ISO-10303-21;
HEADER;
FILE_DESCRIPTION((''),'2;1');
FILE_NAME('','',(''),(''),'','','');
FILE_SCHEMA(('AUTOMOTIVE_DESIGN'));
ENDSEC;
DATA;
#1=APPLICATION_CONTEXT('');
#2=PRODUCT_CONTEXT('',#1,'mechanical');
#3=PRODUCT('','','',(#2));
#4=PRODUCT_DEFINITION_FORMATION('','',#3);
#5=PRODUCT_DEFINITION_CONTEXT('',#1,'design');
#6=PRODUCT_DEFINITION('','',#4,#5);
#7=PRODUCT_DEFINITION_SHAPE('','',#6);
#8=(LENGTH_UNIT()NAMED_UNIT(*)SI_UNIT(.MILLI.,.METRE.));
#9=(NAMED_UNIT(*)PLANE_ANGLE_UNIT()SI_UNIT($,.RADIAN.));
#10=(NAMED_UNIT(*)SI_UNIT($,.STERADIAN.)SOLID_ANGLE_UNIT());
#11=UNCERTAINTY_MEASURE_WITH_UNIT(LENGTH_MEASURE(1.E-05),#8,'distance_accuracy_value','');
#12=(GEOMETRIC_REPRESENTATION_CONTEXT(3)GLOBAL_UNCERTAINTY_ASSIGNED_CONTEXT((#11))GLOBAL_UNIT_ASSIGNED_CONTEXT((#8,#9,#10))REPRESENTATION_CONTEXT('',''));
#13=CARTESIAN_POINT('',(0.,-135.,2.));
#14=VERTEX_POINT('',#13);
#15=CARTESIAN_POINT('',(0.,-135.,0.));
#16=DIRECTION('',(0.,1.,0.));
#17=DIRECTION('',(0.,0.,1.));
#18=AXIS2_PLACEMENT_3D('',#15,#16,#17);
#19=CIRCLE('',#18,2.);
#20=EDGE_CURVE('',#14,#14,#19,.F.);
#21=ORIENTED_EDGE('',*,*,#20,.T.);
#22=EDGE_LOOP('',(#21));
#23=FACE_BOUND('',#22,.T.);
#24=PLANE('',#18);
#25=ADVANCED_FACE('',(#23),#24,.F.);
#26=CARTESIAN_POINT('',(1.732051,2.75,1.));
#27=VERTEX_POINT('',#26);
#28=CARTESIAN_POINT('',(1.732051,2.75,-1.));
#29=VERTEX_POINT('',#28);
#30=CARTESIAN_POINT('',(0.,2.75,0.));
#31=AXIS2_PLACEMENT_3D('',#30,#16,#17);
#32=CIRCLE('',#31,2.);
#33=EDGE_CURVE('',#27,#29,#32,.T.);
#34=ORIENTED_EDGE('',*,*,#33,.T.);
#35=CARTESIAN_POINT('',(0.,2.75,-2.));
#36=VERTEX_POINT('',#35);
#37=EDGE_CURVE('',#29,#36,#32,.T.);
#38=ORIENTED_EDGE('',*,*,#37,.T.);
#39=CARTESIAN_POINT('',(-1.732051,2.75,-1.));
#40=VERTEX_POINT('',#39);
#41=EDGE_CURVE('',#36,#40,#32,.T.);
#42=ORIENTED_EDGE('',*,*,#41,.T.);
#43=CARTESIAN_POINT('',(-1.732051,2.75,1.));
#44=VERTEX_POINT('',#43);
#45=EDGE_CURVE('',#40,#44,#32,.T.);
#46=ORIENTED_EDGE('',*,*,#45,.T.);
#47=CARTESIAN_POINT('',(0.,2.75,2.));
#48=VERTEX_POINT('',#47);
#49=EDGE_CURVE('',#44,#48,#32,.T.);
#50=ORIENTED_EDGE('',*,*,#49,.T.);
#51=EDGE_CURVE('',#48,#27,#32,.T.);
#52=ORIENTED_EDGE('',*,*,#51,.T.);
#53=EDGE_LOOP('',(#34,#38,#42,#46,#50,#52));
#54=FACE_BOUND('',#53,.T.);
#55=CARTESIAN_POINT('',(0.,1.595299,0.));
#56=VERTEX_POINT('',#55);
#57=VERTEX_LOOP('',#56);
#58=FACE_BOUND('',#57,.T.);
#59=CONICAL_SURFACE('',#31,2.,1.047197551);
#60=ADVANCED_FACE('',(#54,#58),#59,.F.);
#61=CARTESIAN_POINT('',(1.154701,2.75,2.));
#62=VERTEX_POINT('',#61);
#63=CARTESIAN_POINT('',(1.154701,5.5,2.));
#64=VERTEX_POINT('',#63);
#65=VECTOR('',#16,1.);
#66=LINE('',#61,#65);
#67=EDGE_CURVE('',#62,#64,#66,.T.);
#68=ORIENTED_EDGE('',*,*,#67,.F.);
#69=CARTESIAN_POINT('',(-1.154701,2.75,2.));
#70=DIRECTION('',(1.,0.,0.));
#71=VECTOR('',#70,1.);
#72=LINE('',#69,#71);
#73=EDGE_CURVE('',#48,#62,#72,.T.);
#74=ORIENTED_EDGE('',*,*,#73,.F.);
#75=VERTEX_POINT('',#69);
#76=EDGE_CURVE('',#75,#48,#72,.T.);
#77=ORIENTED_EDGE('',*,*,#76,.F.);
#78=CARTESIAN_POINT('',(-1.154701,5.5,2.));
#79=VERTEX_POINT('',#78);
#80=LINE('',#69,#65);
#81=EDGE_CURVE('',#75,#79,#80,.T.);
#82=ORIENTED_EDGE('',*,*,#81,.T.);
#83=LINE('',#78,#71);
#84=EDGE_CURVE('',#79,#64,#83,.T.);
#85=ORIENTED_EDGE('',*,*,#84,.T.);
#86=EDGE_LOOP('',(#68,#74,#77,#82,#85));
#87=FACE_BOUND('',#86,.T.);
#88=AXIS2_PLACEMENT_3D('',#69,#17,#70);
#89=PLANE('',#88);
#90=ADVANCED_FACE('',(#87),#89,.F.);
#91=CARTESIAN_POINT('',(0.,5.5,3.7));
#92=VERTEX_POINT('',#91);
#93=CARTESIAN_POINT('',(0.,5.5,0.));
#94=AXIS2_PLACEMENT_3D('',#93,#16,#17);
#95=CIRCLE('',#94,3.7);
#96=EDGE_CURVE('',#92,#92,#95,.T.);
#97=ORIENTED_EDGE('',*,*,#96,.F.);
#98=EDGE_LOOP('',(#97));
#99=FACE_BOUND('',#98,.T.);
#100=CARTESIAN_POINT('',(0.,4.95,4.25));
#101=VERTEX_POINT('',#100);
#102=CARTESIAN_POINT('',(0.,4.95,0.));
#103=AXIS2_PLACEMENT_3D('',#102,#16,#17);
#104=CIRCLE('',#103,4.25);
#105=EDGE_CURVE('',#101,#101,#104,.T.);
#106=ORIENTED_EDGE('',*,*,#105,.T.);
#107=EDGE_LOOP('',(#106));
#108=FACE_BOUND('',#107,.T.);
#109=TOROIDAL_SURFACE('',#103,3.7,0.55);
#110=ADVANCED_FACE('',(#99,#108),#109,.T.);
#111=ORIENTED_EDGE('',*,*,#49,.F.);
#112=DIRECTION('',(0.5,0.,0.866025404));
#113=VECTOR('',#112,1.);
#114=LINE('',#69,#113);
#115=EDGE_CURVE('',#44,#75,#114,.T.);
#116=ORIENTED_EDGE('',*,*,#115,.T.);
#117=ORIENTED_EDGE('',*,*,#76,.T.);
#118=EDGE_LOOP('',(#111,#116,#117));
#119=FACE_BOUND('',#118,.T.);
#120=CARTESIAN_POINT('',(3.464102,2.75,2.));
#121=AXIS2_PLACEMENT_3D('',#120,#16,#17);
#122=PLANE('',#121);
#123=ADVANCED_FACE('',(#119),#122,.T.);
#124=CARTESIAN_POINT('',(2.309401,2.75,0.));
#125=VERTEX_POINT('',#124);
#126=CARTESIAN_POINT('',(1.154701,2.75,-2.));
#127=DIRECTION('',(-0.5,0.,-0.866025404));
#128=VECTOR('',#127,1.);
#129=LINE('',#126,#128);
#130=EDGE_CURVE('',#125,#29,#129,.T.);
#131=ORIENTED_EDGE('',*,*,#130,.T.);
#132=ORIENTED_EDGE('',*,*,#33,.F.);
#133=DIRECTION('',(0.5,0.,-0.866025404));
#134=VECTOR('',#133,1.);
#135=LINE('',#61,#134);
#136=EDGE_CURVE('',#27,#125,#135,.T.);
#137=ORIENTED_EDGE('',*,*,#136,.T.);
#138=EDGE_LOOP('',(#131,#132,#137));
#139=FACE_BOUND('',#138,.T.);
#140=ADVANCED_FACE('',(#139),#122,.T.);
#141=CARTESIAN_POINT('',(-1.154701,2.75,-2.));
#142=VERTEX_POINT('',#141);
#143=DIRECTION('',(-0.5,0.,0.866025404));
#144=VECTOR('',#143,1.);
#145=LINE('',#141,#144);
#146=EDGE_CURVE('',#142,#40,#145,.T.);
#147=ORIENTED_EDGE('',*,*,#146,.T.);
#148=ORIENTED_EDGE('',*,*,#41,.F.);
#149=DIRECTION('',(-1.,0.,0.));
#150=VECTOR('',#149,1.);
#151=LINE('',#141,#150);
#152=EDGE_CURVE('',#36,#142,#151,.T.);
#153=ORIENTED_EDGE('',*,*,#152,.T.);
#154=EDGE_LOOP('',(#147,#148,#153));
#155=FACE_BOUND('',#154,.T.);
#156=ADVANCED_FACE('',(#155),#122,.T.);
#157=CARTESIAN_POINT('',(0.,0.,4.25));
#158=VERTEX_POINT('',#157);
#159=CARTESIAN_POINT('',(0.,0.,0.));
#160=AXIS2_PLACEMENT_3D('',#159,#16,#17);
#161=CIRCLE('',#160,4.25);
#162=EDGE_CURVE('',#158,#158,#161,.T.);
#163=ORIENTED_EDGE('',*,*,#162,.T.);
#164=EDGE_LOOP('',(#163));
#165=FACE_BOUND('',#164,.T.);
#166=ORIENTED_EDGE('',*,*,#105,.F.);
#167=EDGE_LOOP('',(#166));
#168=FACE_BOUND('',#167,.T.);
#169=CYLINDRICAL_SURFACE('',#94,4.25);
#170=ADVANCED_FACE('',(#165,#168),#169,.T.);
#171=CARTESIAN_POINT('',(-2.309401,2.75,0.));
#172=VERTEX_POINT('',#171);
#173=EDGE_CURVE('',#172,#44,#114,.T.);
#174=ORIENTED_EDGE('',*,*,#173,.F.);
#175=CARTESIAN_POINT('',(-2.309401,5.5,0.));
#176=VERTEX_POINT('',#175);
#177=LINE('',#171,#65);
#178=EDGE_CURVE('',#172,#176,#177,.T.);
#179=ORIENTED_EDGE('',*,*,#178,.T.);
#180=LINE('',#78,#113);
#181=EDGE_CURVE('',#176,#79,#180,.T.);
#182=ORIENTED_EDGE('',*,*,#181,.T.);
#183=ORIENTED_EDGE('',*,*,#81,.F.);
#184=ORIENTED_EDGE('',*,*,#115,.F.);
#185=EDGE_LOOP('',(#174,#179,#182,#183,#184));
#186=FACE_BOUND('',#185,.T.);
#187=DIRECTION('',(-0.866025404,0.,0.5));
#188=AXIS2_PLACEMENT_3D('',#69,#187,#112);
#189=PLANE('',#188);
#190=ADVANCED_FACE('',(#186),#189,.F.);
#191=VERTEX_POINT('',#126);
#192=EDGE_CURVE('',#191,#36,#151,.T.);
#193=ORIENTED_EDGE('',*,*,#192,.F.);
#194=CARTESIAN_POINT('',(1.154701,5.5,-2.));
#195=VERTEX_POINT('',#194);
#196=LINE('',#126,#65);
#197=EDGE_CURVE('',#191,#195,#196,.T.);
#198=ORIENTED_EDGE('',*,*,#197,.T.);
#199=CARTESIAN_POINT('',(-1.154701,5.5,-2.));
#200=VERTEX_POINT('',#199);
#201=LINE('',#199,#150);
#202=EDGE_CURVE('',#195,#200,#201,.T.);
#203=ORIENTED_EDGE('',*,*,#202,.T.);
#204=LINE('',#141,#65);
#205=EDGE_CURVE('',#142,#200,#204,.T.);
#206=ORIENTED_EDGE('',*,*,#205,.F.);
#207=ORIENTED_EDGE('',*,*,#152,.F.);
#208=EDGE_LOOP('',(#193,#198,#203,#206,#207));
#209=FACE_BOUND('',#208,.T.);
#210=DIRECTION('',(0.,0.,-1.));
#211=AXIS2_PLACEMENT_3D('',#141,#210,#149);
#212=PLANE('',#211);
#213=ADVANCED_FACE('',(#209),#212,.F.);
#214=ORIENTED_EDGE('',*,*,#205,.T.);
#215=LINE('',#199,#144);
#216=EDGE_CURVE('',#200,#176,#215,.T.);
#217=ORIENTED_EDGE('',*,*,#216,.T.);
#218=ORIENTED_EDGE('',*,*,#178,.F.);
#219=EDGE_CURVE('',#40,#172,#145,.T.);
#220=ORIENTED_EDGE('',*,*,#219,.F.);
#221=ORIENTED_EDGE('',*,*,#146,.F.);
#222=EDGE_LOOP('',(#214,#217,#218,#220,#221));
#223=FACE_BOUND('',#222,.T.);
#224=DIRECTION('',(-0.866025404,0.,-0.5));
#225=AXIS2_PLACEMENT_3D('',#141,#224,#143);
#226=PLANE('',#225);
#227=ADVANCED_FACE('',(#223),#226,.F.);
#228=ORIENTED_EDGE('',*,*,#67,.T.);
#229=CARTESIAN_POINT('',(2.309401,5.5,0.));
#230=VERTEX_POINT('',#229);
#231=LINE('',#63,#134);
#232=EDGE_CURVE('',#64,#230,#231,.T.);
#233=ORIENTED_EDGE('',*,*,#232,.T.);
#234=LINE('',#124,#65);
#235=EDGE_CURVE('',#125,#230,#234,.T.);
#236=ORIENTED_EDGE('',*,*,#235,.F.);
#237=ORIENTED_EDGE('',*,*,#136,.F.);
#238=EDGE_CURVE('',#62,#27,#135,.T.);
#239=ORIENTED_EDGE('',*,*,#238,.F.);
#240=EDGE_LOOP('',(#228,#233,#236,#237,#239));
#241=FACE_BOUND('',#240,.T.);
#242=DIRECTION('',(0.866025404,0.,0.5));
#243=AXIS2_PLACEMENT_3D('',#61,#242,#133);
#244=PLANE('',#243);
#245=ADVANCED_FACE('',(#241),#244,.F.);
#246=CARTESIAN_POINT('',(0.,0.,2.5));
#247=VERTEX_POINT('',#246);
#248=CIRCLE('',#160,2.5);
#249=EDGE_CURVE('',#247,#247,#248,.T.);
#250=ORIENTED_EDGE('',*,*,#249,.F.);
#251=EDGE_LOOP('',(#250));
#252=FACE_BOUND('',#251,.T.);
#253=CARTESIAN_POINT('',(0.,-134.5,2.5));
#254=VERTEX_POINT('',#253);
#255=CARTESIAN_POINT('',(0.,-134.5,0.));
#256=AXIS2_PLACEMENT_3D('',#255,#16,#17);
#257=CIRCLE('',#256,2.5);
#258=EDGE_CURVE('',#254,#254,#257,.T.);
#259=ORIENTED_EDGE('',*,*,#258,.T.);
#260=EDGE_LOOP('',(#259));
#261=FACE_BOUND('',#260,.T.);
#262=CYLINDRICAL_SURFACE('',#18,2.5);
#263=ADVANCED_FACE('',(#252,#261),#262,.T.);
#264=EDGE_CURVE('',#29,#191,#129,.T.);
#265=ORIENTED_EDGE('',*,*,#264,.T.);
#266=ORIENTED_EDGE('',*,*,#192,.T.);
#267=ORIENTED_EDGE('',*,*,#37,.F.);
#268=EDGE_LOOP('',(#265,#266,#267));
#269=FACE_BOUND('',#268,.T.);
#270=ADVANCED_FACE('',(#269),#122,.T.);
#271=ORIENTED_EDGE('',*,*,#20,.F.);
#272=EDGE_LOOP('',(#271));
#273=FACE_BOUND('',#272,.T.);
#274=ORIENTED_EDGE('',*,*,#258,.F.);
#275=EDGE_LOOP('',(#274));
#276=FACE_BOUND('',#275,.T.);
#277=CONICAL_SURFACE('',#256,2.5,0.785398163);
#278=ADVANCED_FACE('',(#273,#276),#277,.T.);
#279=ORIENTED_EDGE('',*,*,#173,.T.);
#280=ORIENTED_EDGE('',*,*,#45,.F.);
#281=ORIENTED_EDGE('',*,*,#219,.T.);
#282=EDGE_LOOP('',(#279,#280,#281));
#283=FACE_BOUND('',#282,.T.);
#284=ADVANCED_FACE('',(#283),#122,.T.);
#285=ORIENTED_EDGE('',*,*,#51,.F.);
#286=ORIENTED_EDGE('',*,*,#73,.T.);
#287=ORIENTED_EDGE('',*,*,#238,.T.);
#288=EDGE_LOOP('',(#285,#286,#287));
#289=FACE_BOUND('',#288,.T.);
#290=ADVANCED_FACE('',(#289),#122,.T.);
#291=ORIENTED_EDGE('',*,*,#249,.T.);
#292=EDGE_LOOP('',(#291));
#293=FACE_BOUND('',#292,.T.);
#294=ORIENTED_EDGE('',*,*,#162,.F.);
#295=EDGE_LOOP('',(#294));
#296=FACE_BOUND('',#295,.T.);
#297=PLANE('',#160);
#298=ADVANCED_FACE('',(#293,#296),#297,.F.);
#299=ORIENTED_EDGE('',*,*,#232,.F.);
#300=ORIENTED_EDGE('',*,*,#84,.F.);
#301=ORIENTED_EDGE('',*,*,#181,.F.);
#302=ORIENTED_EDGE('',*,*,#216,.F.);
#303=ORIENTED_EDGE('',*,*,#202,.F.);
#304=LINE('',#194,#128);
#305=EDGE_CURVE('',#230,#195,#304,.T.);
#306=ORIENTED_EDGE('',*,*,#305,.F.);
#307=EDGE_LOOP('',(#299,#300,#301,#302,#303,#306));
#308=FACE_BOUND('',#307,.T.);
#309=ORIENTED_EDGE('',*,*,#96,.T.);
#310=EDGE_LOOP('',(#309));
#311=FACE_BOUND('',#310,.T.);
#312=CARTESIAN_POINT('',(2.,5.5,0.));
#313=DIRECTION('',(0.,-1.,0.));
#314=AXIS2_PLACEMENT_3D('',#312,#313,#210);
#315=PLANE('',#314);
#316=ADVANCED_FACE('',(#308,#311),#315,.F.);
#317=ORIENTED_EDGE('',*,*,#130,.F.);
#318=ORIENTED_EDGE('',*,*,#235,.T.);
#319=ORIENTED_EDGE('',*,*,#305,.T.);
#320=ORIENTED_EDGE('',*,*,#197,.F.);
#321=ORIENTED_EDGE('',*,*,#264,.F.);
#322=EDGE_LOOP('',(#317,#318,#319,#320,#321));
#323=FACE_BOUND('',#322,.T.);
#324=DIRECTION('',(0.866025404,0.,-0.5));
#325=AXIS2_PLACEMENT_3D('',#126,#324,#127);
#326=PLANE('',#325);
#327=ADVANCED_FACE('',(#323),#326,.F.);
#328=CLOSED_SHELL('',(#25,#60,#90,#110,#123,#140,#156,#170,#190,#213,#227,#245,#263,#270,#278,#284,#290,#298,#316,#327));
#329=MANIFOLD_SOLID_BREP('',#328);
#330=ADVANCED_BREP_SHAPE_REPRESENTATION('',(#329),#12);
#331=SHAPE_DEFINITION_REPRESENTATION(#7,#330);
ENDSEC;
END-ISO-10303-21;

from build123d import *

# Parameters (mm, degrees)
ESQUISSE2_R             = 2.5
BASE_EXTRUSION_DEPTH    = 135
CHANFREIN1_SIZE         = 0.5
ENL_V_MAT_EXTRU_1_DEPTH = 2.75


with BuildPart() as part:
    # Esquisse2 → Base-Extrusion (new body)
    with BuildSketch(Plane(origin=(0, 0, 0), x_dir=(1, 0, 0), z_dir=(0, 1, 0))):
        with Locations(Location((0, 0, 0), (0, 0, 270))):  # turned: the seam where the file's is
            Circle(ESQUISSE2_R)
    extrude(amount=-BASE_EXTRUSION_DEPTH)

    # Chanfrein1
    chanfrein1_edges = [part.edges().sort_by_distance(p)[0] for p in [
        (0, -135, -2.5),
    ]]
    chamfer(chanfrein1_edges, length=CHANFREIN1_SIZE)

    # Esquisse5 → Boss.-Révol.1 (revolve)
    with BuildSketch(Plane.XY, mode=Mode.PRIVATE) as boss_r_vol_1_sk:
        with BuildLine():
            Line((2, 5.5), (2, 2.75))
            Line((2, 2.75), (0, 1.595299462))
            Line((0, 1.595299462), (0, 0))
            Line((0, 0), (4.25, 0))
            Line((4.25, 0), (4.25, 4.95))
            ThreePointArc((4.25, 4.95), (4.08890873, 5.33890873), (3.7, 5.5))
            Line((3.7, 5.5), (2, 5.5))
        make_face()
    revolve(boss_r_vol_1_sk.sketch.rotate(Axis((0, 5.5, 0), (0, -1, 0)), 90), axis=Axis((0, 5.5, 0), (0, -1, 0)))  # turned: the seam where the file's is

    # Esquisse7 → Enlèv. mat.-Extru.1 (cut)
    with BuildSketch(Plane(origin=(0, 5.5, 0), x_dir=(-1, 0, 0), z_dir=(0, 1, 0))):
        Polygon((1.154700538, 2), (-1.154700538, 2), (-2.309401077, 0), (-1.154700538, -2), (1.154700538, -2), (2.309401077, 0), align=None)
    extrude(amount=-ENL_V_MAT_EXTRU_1_DEPTH, mode=Mode.SUBTRACT)


solid = part.part
